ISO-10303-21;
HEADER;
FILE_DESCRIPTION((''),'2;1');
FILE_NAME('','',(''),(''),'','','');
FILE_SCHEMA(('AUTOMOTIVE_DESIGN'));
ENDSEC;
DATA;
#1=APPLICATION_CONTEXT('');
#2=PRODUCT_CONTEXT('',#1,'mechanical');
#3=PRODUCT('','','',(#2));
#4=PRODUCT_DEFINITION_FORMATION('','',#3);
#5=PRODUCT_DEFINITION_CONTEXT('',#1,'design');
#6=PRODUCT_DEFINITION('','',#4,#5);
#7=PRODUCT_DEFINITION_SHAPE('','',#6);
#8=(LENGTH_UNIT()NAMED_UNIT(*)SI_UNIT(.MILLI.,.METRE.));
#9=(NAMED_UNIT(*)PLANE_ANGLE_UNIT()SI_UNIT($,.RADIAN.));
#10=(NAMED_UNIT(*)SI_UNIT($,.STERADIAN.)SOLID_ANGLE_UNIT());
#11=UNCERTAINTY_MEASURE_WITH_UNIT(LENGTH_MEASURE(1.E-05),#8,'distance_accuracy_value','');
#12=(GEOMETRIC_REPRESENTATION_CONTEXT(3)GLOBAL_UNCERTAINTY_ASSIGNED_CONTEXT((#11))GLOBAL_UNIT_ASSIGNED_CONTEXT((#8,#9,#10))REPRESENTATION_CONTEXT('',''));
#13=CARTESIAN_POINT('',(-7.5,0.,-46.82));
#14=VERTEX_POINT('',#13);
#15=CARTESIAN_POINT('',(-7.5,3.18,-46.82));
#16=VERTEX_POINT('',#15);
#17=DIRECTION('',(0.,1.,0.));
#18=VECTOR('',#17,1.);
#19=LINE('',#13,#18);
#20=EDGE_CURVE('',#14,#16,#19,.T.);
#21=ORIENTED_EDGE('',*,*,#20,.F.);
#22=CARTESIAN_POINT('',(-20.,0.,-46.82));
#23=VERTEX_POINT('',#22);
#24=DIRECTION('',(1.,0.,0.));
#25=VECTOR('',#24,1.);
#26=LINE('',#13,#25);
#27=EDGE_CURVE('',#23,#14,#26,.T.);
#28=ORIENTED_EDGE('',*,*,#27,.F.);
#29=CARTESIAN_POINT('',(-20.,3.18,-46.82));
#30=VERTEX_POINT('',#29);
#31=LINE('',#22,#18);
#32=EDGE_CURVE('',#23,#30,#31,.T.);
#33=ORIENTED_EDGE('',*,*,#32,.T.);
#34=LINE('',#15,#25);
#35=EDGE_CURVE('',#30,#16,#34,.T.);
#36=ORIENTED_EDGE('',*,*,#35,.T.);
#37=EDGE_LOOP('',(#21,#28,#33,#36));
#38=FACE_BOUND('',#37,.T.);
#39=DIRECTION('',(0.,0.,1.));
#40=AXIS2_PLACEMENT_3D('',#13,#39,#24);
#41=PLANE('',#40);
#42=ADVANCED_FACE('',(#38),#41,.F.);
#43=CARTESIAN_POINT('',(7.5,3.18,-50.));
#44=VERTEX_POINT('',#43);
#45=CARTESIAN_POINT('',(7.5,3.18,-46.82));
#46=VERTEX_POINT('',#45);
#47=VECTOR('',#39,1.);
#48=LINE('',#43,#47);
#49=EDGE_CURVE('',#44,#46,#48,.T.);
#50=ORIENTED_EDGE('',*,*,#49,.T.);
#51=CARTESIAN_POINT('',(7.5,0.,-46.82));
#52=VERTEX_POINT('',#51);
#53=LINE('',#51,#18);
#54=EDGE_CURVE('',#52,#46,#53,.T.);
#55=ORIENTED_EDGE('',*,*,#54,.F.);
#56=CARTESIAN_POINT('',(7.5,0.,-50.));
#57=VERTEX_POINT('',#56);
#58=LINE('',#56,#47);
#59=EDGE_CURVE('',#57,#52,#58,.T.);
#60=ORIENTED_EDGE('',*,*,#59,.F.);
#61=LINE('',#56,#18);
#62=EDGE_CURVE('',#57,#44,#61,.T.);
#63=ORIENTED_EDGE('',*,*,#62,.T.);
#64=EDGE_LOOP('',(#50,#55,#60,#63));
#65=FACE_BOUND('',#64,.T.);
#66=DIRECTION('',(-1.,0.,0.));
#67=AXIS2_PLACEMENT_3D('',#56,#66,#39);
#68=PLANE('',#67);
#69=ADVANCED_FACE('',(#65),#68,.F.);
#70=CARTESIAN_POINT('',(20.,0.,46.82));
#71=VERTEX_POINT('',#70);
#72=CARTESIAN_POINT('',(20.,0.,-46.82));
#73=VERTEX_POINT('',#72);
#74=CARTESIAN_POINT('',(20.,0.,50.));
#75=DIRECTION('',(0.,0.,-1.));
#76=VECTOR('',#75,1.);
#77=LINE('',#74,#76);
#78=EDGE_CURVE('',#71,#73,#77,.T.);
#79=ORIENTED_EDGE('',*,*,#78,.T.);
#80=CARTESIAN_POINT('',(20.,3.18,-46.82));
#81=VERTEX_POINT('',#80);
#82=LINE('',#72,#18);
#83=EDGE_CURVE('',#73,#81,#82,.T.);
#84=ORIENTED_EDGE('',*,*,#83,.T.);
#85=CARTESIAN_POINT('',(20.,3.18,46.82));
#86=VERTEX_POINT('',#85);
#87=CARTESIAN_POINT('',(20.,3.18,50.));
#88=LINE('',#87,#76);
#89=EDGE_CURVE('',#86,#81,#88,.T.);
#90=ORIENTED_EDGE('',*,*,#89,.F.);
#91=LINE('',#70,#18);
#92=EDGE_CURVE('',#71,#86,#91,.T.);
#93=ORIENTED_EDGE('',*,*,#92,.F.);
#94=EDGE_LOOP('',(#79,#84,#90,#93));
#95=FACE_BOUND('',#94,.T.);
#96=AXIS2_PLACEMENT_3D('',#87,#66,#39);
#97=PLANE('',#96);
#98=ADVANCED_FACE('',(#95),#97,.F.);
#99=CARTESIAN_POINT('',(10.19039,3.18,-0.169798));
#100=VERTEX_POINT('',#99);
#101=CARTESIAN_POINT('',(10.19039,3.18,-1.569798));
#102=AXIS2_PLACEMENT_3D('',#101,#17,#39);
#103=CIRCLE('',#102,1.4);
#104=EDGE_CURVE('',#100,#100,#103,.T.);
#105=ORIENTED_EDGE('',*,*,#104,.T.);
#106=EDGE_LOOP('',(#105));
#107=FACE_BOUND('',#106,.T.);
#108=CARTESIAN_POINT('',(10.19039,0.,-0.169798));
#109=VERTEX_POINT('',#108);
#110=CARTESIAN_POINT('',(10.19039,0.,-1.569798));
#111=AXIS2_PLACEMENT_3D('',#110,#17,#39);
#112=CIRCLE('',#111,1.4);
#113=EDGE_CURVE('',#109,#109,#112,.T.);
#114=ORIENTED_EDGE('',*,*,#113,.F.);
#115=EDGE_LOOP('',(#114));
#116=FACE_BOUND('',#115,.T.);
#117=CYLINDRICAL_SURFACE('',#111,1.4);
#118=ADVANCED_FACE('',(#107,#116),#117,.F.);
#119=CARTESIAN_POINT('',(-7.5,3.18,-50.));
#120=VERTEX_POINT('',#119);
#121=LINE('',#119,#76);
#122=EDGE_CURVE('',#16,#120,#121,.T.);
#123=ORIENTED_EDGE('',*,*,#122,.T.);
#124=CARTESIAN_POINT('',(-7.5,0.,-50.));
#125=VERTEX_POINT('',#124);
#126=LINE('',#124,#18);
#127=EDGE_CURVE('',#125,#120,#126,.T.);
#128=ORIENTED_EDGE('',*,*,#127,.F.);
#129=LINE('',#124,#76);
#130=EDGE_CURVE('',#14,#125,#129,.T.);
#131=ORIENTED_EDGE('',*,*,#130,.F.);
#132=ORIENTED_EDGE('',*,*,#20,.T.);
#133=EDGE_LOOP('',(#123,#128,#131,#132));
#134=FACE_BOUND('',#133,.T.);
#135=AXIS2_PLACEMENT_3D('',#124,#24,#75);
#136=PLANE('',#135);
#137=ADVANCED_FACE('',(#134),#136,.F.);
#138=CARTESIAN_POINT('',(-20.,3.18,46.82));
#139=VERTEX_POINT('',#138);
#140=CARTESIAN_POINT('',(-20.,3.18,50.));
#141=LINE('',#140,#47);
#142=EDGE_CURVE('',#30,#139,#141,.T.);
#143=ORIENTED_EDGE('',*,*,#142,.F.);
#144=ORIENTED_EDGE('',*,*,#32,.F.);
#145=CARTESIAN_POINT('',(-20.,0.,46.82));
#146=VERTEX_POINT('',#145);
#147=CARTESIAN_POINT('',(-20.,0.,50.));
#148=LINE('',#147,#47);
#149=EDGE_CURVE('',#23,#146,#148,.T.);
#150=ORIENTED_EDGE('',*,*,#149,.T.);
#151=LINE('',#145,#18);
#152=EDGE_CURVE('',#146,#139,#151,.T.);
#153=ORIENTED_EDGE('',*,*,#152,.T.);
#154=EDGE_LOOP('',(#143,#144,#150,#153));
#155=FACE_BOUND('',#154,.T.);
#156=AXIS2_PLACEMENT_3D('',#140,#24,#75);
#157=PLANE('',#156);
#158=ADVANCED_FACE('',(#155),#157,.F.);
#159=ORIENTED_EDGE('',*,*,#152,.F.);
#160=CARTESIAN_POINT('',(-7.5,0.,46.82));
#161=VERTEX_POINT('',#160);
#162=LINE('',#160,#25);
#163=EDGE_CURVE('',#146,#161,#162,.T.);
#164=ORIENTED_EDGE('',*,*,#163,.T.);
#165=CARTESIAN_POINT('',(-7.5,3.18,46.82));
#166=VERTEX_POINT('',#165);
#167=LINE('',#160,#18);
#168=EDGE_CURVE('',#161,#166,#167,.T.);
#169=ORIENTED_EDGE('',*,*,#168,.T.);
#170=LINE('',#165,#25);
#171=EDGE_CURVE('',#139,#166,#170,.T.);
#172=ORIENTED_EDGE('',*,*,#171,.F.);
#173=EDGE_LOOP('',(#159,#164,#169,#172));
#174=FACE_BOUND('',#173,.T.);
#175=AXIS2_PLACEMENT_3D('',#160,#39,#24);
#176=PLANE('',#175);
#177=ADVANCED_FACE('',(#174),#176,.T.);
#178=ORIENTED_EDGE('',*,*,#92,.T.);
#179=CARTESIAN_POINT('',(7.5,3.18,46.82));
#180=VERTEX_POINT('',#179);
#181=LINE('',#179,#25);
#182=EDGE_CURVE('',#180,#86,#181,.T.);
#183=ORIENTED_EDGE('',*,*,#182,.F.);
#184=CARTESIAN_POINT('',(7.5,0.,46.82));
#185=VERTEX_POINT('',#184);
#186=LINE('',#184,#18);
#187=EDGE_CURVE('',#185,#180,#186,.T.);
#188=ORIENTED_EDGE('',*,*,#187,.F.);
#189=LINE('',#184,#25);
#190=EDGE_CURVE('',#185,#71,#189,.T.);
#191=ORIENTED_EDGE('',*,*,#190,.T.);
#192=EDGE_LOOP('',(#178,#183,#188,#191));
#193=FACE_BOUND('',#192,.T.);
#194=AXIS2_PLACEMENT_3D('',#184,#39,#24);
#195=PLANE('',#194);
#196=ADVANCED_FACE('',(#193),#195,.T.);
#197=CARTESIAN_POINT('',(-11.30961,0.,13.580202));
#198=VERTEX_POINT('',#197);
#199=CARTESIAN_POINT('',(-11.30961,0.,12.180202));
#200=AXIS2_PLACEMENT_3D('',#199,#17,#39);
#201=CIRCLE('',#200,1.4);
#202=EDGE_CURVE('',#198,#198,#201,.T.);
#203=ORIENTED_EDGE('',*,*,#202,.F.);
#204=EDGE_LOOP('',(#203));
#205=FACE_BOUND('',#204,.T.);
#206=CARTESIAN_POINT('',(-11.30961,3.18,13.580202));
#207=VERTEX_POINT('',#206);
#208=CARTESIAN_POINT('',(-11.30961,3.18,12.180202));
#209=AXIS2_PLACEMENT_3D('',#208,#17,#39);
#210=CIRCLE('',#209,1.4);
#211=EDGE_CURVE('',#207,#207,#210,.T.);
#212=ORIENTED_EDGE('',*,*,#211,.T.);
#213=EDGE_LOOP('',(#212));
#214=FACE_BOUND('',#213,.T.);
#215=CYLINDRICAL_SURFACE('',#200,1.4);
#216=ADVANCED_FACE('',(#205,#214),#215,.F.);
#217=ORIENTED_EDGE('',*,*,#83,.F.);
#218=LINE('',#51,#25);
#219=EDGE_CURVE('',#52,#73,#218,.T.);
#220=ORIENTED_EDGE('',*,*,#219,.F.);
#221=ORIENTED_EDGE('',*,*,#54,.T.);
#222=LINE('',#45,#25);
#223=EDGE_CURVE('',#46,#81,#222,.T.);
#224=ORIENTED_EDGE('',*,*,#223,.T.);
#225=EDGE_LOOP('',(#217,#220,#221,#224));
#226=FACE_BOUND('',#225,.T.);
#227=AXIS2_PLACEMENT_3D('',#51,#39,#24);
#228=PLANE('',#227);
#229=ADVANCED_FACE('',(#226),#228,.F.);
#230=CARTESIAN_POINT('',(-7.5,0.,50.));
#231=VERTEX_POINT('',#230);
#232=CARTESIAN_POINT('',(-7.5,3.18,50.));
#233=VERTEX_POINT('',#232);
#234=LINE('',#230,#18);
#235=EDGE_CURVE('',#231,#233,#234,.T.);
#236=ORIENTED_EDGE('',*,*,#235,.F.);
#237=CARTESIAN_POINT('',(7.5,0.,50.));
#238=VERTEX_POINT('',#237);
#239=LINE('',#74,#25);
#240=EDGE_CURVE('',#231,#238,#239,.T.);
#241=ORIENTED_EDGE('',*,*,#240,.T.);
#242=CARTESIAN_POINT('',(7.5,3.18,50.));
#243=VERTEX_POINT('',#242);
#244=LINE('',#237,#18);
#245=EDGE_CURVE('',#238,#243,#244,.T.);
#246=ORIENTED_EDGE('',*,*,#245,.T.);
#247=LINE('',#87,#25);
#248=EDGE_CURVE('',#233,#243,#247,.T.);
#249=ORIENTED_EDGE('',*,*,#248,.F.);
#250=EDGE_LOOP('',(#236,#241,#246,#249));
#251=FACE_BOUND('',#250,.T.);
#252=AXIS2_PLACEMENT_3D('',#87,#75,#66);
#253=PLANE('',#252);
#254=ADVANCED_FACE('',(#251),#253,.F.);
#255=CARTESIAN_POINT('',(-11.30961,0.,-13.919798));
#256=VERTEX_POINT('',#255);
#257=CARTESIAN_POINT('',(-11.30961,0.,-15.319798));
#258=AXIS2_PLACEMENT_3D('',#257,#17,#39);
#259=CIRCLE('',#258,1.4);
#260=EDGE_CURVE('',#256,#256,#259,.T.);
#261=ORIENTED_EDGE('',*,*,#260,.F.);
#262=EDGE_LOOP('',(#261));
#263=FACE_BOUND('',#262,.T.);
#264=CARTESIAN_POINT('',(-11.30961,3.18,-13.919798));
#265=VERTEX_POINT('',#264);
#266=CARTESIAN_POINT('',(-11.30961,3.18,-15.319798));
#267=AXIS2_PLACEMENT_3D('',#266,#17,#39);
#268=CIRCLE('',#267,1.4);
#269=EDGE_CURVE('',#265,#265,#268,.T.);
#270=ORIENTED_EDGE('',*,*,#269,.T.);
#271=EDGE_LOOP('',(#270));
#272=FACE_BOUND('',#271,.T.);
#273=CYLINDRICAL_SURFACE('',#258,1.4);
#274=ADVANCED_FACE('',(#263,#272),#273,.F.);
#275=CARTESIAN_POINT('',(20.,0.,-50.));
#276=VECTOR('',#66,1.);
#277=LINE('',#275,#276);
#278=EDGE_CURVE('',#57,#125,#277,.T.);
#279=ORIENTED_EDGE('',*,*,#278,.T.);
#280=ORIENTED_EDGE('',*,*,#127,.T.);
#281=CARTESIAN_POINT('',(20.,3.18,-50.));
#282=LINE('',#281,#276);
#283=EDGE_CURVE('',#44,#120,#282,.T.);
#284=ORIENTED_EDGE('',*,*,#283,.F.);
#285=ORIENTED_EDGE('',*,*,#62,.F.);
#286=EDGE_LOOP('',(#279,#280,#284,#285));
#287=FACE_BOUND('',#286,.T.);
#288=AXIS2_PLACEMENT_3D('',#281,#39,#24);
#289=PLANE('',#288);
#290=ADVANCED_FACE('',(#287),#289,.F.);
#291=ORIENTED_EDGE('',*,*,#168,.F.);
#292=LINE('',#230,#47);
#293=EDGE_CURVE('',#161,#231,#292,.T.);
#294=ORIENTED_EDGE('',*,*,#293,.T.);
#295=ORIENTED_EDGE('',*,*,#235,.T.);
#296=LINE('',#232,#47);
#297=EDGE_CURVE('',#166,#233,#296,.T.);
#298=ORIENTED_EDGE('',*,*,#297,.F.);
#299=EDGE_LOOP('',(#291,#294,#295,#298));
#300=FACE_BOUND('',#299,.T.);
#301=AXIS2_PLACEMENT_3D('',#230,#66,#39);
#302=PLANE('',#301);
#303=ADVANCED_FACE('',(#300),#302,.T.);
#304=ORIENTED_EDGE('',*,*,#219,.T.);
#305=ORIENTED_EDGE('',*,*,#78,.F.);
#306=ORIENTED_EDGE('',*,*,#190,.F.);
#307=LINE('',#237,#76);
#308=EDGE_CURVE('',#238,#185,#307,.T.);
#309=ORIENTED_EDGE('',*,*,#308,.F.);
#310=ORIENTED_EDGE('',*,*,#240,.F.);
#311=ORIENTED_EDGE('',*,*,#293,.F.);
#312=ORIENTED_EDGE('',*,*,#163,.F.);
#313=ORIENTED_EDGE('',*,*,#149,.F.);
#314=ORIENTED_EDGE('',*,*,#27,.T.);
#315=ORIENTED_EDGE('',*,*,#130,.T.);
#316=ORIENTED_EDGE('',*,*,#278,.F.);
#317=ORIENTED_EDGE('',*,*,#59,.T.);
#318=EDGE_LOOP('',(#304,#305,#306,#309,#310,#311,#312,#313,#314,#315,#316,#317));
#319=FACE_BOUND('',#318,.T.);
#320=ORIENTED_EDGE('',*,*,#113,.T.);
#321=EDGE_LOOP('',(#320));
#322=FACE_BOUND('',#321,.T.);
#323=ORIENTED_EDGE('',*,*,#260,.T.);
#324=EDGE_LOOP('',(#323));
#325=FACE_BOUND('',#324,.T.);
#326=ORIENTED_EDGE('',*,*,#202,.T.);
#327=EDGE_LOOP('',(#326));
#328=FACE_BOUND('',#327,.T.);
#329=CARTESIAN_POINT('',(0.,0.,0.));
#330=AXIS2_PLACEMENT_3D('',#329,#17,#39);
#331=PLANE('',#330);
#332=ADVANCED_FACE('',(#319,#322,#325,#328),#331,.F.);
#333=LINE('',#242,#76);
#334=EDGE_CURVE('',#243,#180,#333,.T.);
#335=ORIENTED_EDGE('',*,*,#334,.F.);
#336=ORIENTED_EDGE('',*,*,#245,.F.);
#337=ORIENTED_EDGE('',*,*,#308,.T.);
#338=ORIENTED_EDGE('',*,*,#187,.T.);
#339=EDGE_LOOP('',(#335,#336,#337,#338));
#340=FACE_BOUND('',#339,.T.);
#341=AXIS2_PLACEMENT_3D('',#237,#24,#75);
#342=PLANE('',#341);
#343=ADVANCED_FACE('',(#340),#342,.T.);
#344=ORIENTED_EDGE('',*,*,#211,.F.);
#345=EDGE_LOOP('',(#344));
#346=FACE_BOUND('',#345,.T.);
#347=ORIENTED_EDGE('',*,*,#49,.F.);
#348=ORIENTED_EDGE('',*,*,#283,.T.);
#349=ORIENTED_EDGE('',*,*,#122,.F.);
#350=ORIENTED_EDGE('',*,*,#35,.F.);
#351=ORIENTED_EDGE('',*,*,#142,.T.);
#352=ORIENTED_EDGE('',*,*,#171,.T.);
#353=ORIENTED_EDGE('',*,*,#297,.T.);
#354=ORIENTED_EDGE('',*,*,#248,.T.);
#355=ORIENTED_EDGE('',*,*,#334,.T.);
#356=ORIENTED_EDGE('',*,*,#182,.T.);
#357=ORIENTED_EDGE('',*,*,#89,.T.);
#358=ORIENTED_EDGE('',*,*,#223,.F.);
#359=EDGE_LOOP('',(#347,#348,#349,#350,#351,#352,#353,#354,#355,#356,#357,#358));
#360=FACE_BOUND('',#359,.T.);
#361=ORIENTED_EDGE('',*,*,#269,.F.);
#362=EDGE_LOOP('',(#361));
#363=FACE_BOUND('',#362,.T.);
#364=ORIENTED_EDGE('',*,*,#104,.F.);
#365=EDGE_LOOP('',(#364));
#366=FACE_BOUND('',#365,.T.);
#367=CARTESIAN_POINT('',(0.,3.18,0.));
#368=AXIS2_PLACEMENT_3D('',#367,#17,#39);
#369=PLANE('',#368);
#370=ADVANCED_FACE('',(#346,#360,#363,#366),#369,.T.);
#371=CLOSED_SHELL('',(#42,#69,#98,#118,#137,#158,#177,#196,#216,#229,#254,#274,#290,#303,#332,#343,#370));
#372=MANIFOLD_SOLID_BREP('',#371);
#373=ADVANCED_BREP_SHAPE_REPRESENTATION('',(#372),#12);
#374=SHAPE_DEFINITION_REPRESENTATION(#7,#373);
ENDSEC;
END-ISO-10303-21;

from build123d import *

# Parameters (mm, degrees)
SKETCH1_W           = 40
SKETCH1_H           = 100
BOSS_EXTRUDE1_DEPTH = 3.18
SKETCH2_W           = 12.5
SKETCH2_H           = 3.18
CUT_EXTRUDE1_DEPTH  = 4.18
SKETCH3_R           = 1.4
CUT_EXTRUDE2_DEPTH  = 4.18


with BuildPart() as part:
    # Sketch1 → Boss-Extrude1 (new body)
    with BuildSketch(Plane(origin=(0, 0, 0), x_dir=(1, 0, 0), z_dir=(0, 1, 0))):
        Rectangle(SKETCH1_W, SKETCH1_H)
    extrude(amount=BOSS_EXTRUDE1_DEPTH)

    # Sketch2 → Cut-Extrude1 (cut, through all)
    with BuildSketch(Plane(origin=(0, 3.18, 0), x_dir=(1, 0, 0), z_dir=(0, 1, 0))):
        with Locations((13.75, 48.41)):
            Rectangle(SKETCH2_W, SKETCH2_H)
        with Locations((-13.75, 48.41)):
            Rectangle(SKETCH2_W, SKETCH2_H)
    cut_extrude1 = extrude(amount=-CUT_EXTRUDE1_DEPTH, mode=Mode.SUBTRACT)

    # Mirror1: Cut-Extrude1 across plane
    add(cut_extrude1.mirror(Plane.XY), mode=Mode.SUBTRACT)

    # Sketch3 → Cut-Extrude2 (cut, through all)
    with BuildSketch(Plane(origin=(0, 3.18, 0), x_dir=(1, 0, 0), z_dir=(0, 1, 0))):
        with Locations((-11.309610499, -12.180202037)):
            Circle(SKETCH3_R)
        with Locations((10.190389501, 1.569797963)):
            Circle(SKETCH3_R)
        with Locations((-11.309610499, 15.319797963)):
            Circle(SKETCH3_R)
    extrude(amount=-CUT_EXTRUDE2_DEPTH, mode=Mode.SUBTRACT)


solid = part.part
